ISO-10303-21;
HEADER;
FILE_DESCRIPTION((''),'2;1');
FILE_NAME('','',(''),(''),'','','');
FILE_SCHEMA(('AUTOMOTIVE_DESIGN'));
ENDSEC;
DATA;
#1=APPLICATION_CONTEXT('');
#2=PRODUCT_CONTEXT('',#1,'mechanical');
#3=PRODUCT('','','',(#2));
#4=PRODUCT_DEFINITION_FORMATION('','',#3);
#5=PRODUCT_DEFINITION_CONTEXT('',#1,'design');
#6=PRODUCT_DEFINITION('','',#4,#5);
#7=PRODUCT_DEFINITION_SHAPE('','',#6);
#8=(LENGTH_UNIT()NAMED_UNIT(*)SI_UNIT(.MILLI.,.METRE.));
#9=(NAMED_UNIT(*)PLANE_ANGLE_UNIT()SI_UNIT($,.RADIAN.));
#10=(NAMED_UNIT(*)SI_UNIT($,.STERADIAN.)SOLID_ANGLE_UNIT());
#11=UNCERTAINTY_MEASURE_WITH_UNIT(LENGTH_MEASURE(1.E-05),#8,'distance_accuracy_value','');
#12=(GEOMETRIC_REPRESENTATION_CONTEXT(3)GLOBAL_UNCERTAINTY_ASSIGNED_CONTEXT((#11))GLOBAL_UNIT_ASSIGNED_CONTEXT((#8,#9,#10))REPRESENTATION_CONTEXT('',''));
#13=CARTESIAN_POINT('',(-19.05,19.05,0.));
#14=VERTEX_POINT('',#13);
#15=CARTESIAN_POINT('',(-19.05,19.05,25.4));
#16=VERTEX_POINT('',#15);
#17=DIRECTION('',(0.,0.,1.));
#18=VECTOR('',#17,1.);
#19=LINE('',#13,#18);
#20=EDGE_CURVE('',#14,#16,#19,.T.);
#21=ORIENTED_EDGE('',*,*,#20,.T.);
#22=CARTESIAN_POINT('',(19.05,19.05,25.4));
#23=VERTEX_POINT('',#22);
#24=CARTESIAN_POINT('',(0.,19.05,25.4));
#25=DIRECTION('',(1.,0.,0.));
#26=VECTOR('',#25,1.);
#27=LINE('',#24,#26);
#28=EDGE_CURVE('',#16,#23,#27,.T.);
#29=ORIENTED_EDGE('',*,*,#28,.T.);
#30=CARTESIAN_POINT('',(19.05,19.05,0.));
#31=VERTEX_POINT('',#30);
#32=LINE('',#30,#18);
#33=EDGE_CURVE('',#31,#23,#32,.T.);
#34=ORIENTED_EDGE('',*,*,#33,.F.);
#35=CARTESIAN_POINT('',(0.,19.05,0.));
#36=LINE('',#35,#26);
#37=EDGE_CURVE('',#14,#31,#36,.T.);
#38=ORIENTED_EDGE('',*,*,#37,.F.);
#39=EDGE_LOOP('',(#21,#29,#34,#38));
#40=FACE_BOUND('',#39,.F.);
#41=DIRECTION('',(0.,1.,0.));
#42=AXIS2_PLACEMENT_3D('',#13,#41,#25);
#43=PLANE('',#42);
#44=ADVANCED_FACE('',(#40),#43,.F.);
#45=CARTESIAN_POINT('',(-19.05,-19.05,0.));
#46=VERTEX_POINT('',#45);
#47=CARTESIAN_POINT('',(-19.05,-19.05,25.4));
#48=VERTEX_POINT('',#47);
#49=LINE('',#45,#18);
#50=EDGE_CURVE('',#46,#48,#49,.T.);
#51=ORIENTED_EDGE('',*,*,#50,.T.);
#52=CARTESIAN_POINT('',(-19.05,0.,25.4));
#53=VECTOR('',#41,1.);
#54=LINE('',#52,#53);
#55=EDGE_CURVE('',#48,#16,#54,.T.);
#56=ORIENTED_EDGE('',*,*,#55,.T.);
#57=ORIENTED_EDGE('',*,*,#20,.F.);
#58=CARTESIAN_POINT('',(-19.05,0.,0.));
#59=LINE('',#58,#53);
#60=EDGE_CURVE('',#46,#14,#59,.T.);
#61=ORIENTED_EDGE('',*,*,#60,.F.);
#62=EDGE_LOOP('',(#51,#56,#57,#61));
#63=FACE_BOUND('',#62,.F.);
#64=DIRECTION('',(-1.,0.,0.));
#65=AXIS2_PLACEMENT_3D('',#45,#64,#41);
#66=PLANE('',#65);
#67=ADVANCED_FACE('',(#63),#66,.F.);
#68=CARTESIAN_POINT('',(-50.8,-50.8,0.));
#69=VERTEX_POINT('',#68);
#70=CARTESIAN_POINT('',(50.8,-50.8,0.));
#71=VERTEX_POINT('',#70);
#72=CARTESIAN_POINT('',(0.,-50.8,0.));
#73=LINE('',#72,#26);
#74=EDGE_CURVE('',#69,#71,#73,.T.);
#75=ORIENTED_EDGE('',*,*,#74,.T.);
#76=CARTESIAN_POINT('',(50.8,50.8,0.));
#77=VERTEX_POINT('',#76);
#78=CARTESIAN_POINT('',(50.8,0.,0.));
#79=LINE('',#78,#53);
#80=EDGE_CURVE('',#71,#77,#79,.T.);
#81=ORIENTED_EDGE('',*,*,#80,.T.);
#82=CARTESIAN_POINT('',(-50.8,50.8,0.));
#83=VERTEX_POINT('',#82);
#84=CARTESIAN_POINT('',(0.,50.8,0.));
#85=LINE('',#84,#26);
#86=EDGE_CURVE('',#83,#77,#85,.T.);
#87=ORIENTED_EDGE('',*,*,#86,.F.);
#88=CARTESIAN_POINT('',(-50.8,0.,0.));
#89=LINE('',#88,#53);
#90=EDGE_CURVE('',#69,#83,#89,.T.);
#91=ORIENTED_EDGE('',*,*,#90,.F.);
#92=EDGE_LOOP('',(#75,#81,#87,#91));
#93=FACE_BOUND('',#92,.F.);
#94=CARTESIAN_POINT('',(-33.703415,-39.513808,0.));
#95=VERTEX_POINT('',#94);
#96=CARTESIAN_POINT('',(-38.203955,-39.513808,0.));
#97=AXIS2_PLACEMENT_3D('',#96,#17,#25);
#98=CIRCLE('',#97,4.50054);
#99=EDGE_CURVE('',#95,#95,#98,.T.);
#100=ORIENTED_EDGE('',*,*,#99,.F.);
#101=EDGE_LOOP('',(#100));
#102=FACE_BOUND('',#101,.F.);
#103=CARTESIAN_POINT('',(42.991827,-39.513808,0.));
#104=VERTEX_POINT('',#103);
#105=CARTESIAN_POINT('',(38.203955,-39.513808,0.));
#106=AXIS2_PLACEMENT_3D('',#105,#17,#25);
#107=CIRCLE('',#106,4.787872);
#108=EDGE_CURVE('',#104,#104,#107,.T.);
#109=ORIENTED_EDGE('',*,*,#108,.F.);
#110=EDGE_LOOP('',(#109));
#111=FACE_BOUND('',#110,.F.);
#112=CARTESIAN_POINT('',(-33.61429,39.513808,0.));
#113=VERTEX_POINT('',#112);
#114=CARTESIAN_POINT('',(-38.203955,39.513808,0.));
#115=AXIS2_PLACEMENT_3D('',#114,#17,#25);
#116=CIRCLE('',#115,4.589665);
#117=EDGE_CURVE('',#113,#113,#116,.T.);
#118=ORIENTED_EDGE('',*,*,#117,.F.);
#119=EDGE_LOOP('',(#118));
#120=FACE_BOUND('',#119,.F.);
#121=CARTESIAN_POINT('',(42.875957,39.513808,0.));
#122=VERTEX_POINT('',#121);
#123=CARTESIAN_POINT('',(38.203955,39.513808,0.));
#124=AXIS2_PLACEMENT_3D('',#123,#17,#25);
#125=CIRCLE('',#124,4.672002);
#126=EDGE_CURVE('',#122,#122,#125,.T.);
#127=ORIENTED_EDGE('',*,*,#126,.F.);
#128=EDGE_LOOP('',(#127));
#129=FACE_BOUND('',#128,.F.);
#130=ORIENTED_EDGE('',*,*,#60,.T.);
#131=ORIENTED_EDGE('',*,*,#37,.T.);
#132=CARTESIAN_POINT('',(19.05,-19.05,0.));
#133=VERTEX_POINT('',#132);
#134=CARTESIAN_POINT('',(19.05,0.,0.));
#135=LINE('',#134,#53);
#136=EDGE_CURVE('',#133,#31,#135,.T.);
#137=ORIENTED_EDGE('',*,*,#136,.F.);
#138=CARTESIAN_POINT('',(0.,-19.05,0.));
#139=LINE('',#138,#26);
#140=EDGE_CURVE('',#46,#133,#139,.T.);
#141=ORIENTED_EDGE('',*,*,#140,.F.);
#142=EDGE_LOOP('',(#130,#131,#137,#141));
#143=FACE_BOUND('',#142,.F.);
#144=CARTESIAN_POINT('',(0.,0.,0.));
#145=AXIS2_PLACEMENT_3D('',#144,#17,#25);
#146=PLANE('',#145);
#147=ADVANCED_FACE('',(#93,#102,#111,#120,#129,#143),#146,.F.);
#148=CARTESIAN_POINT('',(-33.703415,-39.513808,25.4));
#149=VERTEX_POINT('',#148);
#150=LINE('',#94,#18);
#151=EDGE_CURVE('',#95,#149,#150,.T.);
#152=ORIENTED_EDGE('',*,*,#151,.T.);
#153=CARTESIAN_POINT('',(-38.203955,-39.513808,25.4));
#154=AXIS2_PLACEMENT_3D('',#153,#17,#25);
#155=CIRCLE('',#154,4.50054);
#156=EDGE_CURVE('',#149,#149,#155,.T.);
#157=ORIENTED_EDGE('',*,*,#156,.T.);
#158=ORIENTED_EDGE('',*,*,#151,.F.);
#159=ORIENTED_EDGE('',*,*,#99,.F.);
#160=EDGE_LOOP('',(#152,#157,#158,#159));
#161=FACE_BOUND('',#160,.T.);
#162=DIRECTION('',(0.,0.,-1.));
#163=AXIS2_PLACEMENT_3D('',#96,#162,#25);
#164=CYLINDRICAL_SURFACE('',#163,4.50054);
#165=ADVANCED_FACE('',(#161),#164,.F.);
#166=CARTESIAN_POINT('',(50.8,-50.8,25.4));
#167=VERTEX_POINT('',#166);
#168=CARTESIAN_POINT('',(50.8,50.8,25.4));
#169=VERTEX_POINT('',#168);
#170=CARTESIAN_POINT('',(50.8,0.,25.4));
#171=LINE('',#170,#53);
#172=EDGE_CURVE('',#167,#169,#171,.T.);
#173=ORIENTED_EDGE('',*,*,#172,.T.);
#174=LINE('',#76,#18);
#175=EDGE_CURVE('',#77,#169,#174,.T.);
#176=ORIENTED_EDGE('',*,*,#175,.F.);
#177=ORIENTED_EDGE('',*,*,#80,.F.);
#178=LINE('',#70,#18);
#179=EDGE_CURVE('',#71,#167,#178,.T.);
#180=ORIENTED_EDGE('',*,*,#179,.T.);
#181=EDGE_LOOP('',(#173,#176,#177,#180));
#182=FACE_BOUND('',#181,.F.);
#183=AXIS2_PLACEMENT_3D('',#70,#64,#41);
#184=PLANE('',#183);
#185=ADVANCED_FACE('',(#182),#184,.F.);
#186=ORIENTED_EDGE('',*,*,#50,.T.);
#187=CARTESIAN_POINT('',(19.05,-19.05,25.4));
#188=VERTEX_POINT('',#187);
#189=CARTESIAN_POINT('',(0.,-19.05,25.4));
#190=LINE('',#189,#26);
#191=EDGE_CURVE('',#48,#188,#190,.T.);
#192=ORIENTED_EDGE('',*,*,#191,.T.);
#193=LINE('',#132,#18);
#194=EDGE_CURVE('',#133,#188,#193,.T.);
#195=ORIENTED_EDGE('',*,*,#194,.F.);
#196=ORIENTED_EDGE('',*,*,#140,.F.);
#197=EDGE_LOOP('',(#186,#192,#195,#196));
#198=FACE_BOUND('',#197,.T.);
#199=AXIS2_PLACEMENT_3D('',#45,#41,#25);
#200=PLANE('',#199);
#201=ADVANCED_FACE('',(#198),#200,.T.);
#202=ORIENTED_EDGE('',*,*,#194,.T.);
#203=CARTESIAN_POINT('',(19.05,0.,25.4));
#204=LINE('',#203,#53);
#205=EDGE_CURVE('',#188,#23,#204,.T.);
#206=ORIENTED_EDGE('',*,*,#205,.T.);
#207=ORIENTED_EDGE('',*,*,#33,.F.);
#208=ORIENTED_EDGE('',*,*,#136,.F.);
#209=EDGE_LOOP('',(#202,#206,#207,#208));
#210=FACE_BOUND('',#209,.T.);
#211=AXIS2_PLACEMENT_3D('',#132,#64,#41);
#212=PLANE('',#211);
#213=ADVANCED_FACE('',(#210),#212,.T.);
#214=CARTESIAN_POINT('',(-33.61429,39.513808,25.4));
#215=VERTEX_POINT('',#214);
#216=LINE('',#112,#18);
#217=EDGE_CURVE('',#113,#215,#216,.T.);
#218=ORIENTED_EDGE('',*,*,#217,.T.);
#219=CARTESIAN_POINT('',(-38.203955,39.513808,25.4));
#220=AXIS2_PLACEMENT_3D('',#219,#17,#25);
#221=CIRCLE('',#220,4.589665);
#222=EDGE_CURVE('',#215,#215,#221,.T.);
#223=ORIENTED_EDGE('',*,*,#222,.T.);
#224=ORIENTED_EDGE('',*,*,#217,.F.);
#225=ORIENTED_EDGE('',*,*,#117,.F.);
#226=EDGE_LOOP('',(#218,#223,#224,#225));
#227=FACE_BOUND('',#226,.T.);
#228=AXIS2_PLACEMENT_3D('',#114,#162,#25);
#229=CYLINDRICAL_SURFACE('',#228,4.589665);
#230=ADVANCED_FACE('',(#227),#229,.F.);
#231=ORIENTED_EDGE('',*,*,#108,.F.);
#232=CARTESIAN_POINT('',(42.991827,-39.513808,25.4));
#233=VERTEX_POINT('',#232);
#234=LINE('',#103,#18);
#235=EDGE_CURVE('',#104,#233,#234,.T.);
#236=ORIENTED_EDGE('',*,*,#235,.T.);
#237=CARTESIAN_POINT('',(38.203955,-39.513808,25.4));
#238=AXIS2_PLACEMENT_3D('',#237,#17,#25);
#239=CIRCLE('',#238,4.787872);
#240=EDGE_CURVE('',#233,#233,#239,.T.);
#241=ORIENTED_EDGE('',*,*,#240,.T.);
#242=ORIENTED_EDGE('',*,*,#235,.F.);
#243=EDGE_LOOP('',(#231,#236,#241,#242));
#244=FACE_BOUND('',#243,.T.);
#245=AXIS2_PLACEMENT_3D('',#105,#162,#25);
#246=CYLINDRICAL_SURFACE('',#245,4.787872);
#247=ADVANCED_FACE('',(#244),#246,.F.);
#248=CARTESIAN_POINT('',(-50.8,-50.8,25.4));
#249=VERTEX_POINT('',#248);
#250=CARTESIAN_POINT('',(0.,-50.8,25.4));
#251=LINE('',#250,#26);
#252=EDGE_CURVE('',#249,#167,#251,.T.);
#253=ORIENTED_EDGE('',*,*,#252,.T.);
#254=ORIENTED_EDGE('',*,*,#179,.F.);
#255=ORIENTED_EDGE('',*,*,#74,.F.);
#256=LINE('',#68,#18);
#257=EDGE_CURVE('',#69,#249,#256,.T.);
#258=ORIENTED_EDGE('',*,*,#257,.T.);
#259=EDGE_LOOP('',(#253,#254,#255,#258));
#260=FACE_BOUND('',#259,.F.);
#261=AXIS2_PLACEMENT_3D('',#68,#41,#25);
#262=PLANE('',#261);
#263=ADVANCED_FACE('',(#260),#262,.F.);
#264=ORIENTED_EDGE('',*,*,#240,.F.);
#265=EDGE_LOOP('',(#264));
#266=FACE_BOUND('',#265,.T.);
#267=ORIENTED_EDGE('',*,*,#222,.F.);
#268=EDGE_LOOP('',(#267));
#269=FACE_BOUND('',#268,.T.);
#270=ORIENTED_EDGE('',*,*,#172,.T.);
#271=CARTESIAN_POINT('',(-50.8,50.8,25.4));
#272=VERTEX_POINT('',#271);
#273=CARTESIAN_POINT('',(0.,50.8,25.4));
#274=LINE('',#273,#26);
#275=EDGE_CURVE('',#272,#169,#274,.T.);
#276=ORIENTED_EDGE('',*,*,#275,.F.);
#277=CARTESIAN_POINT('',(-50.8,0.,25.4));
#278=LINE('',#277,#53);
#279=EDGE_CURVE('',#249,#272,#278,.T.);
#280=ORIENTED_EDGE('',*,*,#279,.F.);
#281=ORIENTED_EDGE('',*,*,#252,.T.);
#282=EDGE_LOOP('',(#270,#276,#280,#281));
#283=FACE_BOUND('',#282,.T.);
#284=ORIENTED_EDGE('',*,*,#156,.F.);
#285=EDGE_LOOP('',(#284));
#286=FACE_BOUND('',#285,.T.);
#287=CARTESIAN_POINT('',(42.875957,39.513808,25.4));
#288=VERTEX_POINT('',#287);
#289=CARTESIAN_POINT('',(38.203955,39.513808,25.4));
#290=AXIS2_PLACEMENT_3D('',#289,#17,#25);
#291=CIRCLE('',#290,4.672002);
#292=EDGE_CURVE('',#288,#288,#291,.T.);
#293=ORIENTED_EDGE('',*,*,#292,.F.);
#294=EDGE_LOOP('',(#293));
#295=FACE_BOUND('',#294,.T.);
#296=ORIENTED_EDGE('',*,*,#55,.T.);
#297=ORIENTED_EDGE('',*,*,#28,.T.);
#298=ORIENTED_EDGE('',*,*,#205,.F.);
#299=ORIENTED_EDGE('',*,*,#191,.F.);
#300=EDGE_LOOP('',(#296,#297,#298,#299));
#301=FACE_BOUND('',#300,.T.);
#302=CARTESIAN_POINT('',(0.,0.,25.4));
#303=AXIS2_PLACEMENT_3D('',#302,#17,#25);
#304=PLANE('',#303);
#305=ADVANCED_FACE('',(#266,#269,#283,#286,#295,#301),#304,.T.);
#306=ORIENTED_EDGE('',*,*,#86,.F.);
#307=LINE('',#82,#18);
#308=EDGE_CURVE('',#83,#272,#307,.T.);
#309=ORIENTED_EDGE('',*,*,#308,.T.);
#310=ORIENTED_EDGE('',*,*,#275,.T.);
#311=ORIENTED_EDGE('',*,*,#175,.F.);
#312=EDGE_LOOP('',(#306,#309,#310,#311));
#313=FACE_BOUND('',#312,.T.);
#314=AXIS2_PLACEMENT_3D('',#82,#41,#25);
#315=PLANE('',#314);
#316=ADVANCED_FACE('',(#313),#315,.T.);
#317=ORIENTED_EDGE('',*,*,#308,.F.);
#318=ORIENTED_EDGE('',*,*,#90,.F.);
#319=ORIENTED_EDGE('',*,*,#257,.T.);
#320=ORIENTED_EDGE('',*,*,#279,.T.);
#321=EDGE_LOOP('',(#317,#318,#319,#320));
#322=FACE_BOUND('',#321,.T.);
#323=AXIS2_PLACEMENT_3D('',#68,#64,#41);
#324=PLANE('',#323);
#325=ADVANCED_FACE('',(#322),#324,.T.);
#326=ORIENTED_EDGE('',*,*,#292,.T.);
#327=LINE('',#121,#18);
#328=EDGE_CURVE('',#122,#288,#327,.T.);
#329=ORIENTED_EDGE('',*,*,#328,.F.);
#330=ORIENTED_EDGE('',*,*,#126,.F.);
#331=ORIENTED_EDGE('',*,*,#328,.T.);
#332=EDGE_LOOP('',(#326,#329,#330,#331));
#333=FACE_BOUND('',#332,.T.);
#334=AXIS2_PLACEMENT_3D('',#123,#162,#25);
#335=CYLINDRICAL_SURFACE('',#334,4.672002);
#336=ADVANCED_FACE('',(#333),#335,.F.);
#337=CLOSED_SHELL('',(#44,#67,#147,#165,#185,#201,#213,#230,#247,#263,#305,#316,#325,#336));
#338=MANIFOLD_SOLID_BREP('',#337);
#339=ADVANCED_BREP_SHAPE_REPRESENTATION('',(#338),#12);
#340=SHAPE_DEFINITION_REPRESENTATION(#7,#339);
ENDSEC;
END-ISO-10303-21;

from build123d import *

# Parameters (mm, degrees)
F0_W     = 101.6
F0_H     = 101.6
F0_R     = 4.50054
F0_W_2   = 38.1
F0_H_2   = 38.1
F0_R_2   = 4.787872
F0_R_3   = 4.589665
F0_R_4   = 4.672002
F1_DEPTH = 25.4


with BuildPart() as f1:
    # F0 (on Top) → F1 (new body)
    with BuildSketch(Plane.XY):
        Rectangle(F0_W, F0_H)
        with Locations((-38.203955, -39.513808)):
            Circle(F0_R, mode=Mode.SUBTRACT)
        Rectangle(F0_W_2, F0_H_2, mode=Mode.SUBTRACT)
        with Locations((38.203955, -39.513808)):
            Circle(F0_R_2, mode=Mode.SUBTRACT)
        with Locations((-38.203955, 39.513808)):
            Circle(F0_R_3, mode=Mode.SUBTRACT)
        with Locations((38.203955, 39.513808)):
            Circle(F0_R_4, mode=Mode.SUBTRACT)
    extrude(amount=F1_DEPTH)


solid = f1.part
